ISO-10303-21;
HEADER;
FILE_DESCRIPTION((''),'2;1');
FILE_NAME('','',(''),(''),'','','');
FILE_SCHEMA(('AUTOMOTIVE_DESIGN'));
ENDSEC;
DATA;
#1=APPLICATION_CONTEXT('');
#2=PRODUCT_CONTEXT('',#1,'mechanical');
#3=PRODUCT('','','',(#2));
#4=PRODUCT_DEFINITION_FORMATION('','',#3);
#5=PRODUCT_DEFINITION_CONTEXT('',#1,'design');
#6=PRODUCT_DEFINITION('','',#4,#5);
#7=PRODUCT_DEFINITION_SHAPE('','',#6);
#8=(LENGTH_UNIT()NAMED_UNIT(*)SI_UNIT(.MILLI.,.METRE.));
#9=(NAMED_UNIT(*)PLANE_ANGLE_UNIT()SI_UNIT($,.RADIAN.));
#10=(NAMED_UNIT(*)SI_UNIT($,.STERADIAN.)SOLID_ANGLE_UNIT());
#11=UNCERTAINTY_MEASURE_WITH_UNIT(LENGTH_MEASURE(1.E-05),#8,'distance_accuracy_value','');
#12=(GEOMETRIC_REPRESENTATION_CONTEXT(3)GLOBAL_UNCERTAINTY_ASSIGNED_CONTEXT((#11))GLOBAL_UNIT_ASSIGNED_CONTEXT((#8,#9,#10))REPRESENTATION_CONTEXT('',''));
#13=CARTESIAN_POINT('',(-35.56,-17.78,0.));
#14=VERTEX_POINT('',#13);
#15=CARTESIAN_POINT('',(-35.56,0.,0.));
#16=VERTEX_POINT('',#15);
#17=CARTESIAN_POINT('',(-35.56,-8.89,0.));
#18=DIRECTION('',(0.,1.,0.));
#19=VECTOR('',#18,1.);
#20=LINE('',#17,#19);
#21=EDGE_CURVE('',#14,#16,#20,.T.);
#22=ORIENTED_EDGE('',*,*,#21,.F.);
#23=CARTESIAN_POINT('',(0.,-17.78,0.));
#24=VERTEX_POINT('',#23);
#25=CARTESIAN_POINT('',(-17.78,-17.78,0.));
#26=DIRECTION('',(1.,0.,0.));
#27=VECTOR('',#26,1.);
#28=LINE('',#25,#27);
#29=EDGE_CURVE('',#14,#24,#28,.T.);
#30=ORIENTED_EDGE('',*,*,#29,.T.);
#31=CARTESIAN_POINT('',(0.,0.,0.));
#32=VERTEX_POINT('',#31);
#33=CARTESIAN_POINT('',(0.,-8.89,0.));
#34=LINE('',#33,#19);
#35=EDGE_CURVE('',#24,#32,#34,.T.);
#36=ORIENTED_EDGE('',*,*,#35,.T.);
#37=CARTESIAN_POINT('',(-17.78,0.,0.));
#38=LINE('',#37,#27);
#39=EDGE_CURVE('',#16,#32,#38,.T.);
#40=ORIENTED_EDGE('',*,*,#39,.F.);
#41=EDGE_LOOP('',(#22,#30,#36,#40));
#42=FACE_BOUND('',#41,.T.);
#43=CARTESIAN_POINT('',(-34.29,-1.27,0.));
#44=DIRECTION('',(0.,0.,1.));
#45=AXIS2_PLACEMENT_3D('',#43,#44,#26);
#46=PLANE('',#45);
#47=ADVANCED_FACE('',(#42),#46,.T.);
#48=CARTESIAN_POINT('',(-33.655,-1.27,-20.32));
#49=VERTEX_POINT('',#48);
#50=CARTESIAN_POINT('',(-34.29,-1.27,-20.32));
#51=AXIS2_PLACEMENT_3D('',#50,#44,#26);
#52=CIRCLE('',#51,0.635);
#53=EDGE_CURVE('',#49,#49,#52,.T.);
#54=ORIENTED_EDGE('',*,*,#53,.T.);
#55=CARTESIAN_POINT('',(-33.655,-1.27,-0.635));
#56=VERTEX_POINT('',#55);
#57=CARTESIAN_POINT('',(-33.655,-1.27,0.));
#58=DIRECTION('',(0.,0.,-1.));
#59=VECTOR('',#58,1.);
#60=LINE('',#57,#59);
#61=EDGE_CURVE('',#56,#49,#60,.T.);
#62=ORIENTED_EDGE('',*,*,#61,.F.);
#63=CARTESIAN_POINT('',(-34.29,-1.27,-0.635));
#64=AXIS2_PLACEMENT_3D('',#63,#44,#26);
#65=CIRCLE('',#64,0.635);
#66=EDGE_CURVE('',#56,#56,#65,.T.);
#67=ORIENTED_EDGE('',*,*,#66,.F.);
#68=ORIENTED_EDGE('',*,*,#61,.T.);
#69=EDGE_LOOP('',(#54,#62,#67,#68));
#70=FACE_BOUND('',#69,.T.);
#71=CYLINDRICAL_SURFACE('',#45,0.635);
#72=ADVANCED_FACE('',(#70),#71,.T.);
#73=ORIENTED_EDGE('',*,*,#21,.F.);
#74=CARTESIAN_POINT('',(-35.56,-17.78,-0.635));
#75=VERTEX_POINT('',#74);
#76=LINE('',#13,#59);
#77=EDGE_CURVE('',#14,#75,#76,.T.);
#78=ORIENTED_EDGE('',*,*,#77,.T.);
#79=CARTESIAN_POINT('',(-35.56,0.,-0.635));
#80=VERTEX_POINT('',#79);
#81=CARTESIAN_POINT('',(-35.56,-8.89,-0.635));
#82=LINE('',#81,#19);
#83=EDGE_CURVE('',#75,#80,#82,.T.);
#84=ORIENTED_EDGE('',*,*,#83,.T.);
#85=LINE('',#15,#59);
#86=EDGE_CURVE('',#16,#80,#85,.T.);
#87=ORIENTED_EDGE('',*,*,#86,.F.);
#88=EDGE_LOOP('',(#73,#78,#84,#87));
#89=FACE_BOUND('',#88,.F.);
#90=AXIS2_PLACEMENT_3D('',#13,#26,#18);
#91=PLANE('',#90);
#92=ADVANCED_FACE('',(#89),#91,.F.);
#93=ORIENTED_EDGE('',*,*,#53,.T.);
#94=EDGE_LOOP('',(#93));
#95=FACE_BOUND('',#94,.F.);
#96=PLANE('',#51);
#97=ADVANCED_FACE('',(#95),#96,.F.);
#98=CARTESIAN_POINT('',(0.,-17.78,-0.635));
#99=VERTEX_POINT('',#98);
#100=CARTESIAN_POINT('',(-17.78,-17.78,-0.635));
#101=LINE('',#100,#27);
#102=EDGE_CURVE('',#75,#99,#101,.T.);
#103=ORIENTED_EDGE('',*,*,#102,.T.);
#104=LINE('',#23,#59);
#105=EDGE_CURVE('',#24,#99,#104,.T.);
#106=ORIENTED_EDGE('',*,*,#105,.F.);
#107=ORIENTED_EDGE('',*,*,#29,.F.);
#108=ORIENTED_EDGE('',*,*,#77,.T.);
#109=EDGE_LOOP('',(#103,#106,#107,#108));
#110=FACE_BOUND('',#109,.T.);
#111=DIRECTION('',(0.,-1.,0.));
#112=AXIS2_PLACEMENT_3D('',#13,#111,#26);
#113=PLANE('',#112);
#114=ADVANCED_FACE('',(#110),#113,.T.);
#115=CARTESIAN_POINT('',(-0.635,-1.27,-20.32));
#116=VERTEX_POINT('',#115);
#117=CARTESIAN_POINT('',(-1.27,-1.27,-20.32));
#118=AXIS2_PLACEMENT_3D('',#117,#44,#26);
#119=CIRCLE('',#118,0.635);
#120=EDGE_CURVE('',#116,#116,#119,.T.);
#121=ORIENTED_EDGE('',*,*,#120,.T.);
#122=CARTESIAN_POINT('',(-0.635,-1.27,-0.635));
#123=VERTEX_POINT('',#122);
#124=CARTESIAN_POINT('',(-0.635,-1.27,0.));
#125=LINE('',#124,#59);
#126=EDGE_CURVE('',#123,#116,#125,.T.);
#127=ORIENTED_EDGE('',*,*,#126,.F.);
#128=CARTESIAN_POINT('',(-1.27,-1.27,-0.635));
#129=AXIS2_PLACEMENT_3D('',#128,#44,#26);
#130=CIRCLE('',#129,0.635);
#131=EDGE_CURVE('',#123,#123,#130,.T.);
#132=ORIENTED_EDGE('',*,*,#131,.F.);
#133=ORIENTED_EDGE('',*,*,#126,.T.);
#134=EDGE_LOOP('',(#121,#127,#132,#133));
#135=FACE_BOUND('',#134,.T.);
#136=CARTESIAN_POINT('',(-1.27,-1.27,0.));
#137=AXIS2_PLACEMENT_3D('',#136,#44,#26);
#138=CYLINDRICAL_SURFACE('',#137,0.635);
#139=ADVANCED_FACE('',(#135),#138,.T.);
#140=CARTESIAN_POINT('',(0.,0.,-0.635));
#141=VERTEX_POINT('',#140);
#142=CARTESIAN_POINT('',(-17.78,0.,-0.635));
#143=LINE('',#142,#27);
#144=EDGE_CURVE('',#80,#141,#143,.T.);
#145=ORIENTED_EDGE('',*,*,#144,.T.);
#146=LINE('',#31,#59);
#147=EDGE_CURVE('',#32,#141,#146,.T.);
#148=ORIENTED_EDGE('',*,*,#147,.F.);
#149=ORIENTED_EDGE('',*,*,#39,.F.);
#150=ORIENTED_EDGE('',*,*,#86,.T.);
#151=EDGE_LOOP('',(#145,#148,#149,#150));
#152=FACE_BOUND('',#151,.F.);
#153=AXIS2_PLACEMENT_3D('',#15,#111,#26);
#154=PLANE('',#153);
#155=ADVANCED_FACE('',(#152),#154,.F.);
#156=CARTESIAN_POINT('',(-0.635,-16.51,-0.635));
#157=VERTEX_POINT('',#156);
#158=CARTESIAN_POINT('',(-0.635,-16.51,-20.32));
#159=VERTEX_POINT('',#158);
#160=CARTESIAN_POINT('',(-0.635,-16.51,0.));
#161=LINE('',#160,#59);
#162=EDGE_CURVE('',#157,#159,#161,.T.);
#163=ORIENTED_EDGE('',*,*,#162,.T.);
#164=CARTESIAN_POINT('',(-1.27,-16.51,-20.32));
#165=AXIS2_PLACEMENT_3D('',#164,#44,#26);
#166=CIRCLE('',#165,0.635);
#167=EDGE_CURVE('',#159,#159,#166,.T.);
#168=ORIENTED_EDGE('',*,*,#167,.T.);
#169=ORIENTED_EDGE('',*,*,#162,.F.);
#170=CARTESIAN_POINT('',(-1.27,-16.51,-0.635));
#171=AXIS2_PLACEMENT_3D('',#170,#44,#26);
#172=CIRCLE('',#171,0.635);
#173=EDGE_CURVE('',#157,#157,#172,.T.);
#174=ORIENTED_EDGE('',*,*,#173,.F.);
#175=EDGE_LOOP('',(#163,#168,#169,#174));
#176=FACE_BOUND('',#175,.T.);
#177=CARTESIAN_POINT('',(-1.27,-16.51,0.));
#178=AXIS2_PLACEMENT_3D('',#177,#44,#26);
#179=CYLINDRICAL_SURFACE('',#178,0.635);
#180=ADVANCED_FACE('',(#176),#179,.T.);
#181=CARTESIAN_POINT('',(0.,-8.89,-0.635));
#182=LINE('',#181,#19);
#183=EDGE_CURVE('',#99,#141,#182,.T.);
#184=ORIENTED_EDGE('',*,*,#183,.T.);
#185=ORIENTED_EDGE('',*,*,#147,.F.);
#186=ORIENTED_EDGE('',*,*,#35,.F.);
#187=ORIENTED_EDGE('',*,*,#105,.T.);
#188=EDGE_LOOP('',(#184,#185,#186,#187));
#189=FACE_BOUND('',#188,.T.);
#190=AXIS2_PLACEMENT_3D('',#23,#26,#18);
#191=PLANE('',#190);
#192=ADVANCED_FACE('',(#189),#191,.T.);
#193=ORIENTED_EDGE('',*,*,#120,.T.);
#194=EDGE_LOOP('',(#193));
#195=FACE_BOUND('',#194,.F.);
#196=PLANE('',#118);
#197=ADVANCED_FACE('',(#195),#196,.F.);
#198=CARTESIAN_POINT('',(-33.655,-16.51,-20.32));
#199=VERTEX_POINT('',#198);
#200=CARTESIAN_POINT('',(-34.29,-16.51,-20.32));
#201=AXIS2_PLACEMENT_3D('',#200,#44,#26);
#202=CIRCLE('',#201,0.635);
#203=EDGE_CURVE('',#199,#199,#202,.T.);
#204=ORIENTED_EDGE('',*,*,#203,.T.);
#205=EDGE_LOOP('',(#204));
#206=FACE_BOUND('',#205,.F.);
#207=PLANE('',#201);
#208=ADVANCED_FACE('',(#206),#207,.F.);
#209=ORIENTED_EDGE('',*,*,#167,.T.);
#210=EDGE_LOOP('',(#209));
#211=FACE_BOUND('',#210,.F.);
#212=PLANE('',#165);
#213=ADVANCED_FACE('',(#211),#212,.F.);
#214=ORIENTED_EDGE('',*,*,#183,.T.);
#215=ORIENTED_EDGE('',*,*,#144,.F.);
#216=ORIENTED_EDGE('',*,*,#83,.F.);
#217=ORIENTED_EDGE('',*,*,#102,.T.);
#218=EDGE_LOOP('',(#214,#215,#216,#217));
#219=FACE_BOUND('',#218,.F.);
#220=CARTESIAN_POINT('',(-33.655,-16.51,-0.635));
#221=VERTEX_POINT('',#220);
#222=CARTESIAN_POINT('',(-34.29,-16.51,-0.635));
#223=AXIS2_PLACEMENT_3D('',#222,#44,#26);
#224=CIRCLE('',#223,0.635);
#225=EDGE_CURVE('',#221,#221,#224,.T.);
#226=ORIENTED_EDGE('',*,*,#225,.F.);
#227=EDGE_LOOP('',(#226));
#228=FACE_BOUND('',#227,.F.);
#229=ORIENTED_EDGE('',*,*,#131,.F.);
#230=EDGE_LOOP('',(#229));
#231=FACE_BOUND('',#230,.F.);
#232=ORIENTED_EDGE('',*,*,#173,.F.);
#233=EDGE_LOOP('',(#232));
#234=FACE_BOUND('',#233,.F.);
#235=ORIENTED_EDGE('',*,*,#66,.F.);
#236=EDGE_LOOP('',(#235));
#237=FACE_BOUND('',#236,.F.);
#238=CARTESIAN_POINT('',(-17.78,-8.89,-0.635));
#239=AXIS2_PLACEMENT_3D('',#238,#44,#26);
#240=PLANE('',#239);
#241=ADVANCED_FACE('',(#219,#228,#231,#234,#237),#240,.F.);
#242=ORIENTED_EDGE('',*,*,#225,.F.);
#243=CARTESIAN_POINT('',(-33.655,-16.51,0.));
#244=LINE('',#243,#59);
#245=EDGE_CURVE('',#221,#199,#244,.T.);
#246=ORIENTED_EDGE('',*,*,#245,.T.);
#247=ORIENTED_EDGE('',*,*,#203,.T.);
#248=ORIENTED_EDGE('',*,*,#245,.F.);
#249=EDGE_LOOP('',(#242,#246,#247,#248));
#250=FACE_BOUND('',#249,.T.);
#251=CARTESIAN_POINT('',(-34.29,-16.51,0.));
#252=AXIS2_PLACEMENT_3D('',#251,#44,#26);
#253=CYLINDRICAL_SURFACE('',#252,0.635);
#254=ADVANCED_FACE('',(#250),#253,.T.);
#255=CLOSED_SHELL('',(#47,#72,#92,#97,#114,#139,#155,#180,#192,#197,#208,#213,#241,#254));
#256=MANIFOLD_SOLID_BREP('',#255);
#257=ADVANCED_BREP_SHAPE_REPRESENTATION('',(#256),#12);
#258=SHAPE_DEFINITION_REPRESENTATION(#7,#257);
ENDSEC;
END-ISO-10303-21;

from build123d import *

# Parameters (mm, degrees)
F0_W     = 35.56
F0_H     = 17.78
F1_DEPTH = 0.635
F2_R     = 0.635
F3_DEPTH = 20.32


with BuildPart() as f1:
    # F0 (on Top) → F1 (new body)
    with BuildSketch(Plane.XY):
        with Locations((-17.78, -8.89)):
            Rectangle(F0_W, F0_H)
    extrude(amount=-F1_DEPTH)

    # F2 (on Top) → F3 (join)
    with BuildSketch(Plane.XY):
        with Locations((-34.29, -1.27)):
            Circle(F2_R)
        with Locations((-34.29, -16.51)):
            Circle(F2_R)
        with Locations((-1.27, -16.51)):
            Circle(F2_R)
        with Locations((-1.27, -1.27)):
            Circle(F2_R)
    extrude(amount=-F3_DEPTH)


solid = f1.part
